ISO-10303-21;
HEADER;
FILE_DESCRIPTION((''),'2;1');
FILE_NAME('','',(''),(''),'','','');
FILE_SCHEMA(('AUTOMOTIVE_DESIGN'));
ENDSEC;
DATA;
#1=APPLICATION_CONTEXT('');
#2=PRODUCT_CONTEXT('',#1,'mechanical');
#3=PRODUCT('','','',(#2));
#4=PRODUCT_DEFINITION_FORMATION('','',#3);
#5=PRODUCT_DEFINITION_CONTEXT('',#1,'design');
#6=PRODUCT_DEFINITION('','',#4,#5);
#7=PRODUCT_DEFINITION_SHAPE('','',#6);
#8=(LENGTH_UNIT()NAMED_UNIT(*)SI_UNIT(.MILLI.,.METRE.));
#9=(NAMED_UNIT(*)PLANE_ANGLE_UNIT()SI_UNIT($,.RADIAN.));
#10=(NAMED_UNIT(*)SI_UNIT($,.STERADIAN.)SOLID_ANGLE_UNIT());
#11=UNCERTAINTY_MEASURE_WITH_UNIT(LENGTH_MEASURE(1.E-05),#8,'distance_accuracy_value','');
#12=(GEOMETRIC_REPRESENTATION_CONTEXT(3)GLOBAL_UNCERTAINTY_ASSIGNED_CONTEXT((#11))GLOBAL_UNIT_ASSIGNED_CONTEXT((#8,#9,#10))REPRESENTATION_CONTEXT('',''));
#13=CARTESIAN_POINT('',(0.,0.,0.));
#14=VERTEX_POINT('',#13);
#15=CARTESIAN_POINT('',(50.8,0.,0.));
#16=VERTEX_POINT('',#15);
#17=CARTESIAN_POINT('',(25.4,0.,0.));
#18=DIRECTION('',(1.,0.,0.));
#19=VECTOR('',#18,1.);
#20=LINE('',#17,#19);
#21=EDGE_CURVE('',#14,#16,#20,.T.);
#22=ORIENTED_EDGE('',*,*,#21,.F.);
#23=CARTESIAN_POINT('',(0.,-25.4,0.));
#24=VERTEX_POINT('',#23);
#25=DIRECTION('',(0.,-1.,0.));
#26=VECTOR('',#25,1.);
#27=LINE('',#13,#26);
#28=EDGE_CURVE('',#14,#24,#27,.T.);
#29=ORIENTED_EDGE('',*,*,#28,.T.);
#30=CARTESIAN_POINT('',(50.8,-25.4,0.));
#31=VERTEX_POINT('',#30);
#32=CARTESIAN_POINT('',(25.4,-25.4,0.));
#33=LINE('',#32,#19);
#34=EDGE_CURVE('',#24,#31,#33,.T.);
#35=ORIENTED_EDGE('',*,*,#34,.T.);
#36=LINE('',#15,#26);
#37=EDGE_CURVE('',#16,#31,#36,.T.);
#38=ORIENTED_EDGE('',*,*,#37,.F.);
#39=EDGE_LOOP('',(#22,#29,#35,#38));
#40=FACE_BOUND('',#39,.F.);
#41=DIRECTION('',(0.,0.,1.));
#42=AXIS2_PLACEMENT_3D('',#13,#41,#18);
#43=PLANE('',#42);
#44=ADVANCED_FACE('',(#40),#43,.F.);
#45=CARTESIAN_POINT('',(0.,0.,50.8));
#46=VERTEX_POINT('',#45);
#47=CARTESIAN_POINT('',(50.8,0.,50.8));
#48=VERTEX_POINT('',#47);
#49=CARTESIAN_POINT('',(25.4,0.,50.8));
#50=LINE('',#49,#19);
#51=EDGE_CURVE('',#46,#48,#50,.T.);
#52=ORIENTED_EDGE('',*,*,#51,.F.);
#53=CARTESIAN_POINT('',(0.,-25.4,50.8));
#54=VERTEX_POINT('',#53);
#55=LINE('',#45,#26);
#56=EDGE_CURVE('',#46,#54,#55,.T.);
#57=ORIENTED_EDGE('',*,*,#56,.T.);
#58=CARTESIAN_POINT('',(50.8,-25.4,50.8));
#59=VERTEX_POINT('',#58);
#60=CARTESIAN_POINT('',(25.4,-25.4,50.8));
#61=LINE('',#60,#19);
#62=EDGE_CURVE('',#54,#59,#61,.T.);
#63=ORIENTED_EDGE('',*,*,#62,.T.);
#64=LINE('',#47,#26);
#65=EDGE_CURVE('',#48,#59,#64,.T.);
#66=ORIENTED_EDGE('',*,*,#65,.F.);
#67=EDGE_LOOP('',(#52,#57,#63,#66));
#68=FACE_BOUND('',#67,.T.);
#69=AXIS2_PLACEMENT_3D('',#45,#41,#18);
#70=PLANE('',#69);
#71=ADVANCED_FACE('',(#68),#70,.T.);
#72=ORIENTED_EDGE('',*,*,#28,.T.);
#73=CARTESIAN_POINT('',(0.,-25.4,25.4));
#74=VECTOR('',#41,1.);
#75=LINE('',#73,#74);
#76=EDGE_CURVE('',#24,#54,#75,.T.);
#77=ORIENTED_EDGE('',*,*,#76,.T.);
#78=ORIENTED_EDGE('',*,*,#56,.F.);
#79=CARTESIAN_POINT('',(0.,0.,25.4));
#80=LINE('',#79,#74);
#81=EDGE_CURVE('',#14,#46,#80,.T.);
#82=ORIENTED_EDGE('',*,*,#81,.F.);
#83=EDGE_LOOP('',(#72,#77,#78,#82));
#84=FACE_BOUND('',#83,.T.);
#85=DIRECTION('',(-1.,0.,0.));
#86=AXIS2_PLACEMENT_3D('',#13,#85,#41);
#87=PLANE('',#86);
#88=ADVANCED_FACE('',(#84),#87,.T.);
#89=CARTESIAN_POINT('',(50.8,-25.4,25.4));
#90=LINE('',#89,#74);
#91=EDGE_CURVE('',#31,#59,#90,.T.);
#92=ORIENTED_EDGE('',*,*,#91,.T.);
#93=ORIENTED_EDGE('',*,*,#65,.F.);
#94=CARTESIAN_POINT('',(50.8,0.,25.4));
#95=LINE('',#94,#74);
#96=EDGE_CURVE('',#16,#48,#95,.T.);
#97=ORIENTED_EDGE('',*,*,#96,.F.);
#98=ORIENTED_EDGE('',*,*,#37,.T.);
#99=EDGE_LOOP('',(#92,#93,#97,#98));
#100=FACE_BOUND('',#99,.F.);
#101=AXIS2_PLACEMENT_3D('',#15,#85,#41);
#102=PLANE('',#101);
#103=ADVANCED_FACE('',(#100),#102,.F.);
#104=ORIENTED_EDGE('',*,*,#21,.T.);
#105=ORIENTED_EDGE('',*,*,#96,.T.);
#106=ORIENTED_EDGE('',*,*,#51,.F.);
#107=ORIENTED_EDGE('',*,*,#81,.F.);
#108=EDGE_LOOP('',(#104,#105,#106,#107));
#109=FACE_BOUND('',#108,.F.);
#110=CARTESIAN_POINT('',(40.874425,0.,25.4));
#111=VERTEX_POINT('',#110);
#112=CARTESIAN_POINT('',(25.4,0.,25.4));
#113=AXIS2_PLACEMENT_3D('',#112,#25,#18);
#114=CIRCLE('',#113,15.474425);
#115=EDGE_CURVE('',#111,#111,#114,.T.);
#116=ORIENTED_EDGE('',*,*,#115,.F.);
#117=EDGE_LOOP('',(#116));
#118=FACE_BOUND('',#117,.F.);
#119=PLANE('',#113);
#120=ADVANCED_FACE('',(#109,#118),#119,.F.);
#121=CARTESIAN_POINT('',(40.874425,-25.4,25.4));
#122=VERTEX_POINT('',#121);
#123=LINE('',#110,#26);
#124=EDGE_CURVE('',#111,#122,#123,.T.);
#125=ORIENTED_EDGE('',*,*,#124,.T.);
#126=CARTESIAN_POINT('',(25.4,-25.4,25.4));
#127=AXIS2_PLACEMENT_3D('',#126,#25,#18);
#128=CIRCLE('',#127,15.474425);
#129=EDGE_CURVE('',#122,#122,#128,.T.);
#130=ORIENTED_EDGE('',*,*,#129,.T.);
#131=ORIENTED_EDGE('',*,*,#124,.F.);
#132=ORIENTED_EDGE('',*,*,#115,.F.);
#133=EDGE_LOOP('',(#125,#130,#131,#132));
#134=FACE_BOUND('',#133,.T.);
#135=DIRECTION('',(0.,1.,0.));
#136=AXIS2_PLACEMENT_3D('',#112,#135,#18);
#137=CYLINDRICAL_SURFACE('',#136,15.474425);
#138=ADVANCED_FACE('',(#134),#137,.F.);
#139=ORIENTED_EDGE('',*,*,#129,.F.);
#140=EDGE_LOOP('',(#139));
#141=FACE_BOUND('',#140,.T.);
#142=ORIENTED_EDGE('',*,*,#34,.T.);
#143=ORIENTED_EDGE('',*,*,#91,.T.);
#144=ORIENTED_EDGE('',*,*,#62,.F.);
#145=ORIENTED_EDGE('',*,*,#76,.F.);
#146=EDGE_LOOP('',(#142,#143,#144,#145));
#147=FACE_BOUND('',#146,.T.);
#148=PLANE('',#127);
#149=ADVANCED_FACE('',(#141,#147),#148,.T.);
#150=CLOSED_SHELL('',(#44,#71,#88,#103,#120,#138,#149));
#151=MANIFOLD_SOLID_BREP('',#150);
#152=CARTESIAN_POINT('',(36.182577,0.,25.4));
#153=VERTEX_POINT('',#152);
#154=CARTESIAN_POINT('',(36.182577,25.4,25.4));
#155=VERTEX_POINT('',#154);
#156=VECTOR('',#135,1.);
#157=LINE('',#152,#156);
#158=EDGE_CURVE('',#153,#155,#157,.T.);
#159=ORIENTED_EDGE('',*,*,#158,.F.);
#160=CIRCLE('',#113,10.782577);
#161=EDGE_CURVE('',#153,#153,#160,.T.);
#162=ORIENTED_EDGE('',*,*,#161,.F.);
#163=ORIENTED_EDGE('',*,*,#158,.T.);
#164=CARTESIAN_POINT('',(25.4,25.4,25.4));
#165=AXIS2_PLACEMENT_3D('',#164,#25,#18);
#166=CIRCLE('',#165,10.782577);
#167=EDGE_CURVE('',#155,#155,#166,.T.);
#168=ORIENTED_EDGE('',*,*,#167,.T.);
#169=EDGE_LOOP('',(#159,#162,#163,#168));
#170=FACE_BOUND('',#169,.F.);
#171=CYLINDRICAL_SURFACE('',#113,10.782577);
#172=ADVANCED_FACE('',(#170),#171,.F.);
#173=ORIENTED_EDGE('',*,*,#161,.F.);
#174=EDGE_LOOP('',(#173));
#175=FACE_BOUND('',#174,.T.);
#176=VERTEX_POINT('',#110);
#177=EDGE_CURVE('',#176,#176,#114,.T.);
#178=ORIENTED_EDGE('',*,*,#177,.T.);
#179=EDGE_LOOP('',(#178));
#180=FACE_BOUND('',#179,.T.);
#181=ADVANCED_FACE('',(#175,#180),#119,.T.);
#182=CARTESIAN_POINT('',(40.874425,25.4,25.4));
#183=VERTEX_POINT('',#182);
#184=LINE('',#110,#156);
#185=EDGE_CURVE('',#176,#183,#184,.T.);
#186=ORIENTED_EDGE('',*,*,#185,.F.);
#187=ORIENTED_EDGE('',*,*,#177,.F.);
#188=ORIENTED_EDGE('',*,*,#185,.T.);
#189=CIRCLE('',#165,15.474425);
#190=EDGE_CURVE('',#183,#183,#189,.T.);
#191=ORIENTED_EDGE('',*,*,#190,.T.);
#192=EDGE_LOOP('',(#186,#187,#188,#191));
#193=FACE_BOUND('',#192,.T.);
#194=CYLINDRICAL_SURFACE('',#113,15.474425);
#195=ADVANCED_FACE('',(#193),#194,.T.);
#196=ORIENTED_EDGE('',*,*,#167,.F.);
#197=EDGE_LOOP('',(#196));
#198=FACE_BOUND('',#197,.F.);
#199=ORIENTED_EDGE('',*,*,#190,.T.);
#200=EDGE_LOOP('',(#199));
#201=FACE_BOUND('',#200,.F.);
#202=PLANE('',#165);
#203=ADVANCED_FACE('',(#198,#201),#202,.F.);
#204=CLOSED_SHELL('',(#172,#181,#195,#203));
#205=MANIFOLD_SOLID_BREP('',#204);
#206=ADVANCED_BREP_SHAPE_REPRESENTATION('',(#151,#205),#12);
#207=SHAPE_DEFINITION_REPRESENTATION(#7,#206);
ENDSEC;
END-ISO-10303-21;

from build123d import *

# Parameters (mm, degrees)
F0_W     = 50.8
F0_H     = 50.8
F0_R     = 15.474425
F1_DEPTH = 25.4
F0_R_2   = 10.782577
F2_DEPTH = 25.4


with BuildPart() as f1:
    # F0 (on Front) → F1 (new body)
    with BuildSketch(Plane.XZ):
        with Locations((25.4, 25.4)):
            Rectangle(F0_W, F0_H)
        with Locations((25.4, 25.4)):
            Circle(F0_R, mode=Mode.SUBTRACT)
    extrude(amount=F1_DEPTH)

    # F0 (on Front) → F2 (join)
    with BuildSketch(Plane.XZ):
        with Locations((25.4, 25.4)):
            Circle(F0_R)
        with Locations((25.4, 25.4)):
            Circle(F0_R_2, mode=Mode.SUBTRACT)
    extrude(amount=-F2_DEPTH)


solid = f1.part
